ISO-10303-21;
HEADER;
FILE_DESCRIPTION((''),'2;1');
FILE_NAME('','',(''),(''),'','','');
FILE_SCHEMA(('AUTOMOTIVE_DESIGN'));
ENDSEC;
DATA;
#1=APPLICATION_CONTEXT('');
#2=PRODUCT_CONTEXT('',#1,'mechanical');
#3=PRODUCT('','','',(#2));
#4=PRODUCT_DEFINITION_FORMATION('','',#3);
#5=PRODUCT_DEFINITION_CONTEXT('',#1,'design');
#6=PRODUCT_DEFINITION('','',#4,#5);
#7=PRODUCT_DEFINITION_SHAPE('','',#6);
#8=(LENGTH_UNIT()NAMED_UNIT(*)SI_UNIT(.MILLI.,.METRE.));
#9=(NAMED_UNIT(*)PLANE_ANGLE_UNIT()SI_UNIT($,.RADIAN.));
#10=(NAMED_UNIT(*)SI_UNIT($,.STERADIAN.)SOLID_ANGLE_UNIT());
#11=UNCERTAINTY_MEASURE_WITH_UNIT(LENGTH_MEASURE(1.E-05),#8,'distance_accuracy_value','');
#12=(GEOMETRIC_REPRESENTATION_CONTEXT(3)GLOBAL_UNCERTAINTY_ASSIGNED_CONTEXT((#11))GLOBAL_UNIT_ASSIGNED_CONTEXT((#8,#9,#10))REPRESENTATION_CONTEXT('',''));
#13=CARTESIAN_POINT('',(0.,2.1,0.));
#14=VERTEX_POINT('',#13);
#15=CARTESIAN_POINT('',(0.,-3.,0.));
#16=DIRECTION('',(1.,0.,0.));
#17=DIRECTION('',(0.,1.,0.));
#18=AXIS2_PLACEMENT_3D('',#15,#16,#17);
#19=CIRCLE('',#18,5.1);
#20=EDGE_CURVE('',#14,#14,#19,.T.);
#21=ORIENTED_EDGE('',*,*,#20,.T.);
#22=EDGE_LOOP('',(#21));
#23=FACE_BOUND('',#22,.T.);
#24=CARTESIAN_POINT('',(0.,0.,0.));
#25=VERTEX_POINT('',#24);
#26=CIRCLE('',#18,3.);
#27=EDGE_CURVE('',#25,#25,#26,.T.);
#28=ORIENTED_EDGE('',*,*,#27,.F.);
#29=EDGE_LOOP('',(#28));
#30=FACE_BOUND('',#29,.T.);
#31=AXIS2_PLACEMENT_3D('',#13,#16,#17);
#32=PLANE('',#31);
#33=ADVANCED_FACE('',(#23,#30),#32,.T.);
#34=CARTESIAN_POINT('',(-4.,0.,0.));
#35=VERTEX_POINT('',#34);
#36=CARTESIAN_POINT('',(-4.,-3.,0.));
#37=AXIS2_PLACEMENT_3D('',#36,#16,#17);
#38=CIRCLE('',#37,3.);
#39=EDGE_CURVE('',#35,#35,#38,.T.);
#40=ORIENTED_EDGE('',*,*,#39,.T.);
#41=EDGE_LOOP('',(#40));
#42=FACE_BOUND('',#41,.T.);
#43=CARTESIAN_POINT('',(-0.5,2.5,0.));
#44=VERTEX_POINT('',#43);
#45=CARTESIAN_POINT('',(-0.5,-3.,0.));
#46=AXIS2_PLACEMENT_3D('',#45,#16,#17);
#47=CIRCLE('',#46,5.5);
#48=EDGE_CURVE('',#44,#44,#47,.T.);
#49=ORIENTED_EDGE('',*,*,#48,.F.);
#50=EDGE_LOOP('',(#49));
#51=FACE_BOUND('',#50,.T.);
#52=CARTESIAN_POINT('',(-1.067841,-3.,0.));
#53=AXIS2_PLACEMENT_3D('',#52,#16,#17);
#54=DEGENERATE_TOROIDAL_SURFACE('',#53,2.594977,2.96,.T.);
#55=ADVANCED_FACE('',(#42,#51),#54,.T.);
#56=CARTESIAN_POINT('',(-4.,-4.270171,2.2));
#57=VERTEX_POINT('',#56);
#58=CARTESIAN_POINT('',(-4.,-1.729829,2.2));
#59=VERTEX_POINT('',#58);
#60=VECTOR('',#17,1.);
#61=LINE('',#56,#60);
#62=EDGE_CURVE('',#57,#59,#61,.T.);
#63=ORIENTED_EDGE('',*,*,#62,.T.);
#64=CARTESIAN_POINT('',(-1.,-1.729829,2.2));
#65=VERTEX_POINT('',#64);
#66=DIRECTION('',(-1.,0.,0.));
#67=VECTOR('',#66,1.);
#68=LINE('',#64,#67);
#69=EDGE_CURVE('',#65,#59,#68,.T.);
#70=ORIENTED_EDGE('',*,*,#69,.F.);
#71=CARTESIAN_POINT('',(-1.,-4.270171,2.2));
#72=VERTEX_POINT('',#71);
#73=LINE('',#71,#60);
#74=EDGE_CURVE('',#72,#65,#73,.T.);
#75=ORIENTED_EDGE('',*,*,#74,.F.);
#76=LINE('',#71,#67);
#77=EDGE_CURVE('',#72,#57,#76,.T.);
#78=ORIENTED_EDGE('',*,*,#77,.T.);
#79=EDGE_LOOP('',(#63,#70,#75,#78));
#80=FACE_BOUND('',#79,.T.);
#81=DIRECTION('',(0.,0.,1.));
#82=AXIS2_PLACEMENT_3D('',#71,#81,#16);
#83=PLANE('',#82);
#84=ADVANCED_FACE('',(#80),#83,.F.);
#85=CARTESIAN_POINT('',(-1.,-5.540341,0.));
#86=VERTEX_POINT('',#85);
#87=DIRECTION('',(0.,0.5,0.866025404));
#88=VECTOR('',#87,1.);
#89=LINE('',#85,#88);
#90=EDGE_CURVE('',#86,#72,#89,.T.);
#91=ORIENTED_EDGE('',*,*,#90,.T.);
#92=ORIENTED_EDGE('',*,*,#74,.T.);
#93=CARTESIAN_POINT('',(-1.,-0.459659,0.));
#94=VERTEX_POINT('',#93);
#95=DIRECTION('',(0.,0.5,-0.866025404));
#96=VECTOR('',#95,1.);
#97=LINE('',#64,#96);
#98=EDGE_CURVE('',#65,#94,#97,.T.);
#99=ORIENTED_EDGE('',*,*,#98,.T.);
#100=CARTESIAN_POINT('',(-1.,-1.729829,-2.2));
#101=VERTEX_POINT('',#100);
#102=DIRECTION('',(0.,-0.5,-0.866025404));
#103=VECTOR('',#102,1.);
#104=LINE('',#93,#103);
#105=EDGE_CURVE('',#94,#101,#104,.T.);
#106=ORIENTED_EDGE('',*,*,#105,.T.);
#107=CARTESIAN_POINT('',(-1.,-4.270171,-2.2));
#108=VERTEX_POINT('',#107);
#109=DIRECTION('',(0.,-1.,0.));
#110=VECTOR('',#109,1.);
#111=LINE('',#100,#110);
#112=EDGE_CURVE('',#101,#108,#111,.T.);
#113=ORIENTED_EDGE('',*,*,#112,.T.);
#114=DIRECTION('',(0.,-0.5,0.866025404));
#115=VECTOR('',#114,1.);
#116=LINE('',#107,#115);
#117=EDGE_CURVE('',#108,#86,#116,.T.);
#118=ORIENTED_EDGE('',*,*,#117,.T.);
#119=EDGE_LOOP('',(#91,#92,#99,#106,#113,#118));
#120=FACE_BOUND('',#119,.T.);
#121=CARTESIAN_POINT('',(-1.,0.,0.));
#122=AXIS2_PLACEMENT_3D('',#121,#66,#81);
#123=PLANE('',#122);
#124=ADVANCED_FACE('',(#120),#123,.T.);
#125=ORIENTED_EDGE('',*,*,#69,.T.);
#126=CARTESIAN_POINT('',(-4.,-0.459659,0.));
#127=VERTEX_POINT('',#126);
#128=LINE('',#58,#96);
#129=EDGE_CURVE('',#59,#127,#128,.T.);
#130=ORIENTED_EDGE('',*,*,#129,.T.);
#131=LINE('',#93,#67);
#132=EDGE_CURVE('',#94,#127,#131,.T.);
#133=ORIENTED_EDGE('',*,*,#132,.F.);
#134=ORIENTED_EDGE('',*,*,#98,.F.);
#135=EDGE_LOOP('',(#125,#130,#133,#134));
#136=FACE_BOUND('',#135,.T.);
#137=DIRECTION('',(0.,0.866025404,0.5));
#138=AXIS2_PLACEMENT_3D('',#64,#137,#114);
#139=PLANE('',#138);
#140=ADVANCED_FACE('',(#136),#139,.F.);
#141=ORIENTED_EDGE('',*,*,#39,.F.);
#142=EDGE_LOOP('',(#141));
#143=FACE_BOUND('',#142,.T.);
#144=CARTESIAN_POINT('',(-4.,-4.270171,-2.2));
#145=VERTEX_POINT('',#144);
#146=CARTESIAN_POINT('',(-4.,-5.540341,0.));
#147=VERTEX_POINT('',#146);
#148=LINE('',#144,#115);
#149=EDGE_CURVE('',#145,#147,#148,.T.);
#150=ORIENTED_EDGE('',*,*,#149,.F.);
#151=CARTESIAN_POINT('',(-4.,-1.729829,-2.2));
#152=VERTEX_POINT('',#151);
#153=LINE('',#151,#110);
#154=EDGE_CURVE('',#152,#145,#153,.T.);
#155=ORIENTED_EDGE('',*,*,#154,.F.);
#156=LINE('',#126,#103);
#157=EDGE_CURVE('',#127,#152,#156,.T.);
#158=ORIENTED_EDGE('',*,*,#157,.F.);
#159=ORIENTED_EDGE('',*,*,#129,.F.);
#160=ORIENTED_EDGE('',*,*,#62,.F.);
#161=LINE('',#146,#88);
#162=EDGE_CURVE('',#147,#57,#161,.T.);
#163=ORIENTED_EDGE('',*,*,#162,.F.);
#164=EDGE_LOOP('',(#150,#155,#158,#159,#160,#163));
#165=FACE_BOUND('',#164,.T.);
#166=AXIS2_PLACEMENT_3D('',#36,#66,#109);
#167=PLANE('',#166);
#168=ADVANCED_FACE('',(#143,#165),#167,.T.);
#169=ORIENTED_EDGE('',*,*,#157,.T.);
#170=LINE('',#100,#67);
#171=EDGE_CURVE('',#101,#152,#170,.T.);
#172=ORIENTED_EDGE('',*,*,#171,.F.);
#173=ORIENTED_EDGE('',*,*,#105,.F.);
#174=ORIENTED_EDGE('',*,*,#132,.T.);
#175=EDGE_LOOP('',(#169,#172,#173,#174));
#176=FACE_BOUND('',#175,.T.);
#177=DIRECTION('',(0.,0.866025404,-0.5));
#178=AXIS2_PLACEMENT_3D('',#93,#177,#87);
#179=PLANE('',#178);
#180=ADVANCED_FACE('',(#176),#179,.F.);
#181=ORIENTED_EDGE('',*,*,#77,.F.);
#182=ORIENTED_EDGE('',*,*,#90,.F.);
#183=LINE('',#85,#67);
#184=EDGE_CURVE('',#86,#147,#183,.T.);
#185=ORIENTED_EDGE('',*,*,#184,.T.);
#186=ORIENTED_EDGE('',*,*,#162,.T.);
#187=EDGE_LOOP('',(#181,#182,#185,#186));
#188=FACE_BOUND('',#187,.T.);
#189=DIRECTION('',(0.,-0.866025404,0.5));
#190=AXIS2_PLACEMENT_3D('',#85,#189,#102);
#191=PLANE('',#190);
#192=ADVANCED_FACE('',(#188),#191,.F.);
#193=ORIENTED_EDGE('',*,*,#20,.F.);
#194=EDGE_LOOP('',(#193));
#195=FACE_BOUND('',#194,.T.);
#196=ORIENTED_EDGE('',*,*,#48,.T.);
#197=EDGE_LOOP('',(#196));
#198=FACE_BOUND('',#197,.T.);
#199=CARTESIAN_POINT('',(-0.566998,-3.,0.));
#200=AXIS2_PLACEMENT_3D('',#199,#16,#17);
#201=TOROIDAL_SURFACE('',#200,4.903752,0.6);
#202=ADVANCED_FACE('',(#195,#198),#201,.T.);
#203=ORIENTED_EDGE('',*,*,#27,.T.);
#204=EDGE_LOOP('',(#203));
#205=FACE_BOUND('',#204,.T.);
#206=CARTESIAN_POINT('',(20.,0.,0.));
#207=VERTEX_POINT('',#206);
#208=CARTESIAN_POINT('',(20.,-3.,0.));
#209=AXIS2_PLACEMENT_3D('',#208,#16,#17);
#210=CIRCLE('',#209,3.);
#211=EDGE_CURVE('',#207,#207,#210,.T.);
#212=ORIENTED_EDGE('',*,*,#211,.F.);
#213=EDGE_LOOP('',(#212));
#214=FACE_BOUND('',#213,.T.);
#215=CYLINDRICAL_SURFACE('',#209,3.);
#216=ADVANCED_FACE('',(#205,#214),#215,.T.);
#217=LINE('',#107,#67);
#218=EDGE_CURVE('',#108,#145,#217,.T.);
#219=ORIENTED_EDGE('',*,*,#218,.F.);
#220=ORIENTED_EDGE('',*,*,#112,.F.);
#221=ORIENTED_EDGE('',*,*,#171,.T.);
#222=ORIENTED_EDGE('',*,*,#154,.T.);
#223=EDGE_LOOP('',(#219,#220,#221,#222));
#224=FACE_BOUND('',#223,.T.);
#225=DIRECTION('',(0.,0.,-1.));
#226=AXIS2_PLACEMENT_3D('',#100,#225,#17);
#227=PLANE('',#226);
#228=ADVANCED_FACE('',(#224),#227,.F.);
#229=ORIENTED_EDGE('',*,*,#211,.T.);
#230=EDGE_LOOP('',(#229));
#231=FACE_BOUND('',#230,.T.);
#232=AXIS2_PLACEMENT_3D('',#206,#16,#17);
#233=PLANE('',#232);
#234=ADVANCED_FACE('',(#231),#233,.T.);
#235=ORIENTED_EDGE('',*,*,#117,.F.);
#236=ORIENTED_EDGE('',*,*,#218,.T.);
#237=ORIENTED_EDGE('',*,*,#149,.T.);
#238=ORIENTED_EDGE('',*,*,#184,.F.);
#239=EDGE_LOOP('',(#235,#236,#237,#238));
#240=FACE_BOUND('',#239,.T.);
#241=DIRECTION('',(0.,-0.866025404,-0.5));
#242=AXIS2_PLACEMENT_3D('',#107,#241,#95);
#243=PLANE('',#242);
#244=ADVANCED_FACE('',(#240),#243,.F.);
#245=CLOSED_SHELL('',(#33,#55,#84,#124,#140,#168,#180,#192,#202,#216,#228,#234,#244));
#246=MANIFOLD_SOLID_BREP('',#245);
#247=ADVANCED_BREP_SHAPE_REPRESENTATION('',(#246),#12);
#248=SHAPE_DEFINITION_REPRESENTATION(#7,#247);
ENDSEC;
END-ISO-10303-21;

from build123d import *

# Parameters (mm, degrees)
CUT_EXTRUDE1_DEPTH = 3


with BuildPart() as part:
    # Sketch1 → Revolve1 (revolve)
    with BuildSketch(Plane.XY):
        with BuildLine():
            Line((0, 0), (20, 0))
            Line((20, 0), (20, -3))
            Line((20, -3), (-4, -3))
            Line((-4, -3), (-4, 0))
            ThreePointArc((-4, 0), (-2.788306012, 2.003628416), (-0.5, 2.5))
            ThreePointArc((-0.5, 2.5), (-0.192181086, 2.372273642), (0, 2.1))
            Line((0, 2.1), (0, 0))
        make_face()
    revolve(axis=Axis((20, -3, 0), (-1, 0, 0)))

    # Sketch2 → Cut-Extrude1 (cut)
    with BuildSketch(Plane.ZY.offset(4)):
        Polygon((0, -0.459658816), (-2.2, -1.729829408), (-2.2, -4.270170592), (0, -5.540341184), (2.2, -4.270170592), (2.2, -1.729829408), align=None)
    extrude(amount=-CUT_EXTRUDE1_DEPTH, mode=Mode.SUBTRACT)


solid = part.part
